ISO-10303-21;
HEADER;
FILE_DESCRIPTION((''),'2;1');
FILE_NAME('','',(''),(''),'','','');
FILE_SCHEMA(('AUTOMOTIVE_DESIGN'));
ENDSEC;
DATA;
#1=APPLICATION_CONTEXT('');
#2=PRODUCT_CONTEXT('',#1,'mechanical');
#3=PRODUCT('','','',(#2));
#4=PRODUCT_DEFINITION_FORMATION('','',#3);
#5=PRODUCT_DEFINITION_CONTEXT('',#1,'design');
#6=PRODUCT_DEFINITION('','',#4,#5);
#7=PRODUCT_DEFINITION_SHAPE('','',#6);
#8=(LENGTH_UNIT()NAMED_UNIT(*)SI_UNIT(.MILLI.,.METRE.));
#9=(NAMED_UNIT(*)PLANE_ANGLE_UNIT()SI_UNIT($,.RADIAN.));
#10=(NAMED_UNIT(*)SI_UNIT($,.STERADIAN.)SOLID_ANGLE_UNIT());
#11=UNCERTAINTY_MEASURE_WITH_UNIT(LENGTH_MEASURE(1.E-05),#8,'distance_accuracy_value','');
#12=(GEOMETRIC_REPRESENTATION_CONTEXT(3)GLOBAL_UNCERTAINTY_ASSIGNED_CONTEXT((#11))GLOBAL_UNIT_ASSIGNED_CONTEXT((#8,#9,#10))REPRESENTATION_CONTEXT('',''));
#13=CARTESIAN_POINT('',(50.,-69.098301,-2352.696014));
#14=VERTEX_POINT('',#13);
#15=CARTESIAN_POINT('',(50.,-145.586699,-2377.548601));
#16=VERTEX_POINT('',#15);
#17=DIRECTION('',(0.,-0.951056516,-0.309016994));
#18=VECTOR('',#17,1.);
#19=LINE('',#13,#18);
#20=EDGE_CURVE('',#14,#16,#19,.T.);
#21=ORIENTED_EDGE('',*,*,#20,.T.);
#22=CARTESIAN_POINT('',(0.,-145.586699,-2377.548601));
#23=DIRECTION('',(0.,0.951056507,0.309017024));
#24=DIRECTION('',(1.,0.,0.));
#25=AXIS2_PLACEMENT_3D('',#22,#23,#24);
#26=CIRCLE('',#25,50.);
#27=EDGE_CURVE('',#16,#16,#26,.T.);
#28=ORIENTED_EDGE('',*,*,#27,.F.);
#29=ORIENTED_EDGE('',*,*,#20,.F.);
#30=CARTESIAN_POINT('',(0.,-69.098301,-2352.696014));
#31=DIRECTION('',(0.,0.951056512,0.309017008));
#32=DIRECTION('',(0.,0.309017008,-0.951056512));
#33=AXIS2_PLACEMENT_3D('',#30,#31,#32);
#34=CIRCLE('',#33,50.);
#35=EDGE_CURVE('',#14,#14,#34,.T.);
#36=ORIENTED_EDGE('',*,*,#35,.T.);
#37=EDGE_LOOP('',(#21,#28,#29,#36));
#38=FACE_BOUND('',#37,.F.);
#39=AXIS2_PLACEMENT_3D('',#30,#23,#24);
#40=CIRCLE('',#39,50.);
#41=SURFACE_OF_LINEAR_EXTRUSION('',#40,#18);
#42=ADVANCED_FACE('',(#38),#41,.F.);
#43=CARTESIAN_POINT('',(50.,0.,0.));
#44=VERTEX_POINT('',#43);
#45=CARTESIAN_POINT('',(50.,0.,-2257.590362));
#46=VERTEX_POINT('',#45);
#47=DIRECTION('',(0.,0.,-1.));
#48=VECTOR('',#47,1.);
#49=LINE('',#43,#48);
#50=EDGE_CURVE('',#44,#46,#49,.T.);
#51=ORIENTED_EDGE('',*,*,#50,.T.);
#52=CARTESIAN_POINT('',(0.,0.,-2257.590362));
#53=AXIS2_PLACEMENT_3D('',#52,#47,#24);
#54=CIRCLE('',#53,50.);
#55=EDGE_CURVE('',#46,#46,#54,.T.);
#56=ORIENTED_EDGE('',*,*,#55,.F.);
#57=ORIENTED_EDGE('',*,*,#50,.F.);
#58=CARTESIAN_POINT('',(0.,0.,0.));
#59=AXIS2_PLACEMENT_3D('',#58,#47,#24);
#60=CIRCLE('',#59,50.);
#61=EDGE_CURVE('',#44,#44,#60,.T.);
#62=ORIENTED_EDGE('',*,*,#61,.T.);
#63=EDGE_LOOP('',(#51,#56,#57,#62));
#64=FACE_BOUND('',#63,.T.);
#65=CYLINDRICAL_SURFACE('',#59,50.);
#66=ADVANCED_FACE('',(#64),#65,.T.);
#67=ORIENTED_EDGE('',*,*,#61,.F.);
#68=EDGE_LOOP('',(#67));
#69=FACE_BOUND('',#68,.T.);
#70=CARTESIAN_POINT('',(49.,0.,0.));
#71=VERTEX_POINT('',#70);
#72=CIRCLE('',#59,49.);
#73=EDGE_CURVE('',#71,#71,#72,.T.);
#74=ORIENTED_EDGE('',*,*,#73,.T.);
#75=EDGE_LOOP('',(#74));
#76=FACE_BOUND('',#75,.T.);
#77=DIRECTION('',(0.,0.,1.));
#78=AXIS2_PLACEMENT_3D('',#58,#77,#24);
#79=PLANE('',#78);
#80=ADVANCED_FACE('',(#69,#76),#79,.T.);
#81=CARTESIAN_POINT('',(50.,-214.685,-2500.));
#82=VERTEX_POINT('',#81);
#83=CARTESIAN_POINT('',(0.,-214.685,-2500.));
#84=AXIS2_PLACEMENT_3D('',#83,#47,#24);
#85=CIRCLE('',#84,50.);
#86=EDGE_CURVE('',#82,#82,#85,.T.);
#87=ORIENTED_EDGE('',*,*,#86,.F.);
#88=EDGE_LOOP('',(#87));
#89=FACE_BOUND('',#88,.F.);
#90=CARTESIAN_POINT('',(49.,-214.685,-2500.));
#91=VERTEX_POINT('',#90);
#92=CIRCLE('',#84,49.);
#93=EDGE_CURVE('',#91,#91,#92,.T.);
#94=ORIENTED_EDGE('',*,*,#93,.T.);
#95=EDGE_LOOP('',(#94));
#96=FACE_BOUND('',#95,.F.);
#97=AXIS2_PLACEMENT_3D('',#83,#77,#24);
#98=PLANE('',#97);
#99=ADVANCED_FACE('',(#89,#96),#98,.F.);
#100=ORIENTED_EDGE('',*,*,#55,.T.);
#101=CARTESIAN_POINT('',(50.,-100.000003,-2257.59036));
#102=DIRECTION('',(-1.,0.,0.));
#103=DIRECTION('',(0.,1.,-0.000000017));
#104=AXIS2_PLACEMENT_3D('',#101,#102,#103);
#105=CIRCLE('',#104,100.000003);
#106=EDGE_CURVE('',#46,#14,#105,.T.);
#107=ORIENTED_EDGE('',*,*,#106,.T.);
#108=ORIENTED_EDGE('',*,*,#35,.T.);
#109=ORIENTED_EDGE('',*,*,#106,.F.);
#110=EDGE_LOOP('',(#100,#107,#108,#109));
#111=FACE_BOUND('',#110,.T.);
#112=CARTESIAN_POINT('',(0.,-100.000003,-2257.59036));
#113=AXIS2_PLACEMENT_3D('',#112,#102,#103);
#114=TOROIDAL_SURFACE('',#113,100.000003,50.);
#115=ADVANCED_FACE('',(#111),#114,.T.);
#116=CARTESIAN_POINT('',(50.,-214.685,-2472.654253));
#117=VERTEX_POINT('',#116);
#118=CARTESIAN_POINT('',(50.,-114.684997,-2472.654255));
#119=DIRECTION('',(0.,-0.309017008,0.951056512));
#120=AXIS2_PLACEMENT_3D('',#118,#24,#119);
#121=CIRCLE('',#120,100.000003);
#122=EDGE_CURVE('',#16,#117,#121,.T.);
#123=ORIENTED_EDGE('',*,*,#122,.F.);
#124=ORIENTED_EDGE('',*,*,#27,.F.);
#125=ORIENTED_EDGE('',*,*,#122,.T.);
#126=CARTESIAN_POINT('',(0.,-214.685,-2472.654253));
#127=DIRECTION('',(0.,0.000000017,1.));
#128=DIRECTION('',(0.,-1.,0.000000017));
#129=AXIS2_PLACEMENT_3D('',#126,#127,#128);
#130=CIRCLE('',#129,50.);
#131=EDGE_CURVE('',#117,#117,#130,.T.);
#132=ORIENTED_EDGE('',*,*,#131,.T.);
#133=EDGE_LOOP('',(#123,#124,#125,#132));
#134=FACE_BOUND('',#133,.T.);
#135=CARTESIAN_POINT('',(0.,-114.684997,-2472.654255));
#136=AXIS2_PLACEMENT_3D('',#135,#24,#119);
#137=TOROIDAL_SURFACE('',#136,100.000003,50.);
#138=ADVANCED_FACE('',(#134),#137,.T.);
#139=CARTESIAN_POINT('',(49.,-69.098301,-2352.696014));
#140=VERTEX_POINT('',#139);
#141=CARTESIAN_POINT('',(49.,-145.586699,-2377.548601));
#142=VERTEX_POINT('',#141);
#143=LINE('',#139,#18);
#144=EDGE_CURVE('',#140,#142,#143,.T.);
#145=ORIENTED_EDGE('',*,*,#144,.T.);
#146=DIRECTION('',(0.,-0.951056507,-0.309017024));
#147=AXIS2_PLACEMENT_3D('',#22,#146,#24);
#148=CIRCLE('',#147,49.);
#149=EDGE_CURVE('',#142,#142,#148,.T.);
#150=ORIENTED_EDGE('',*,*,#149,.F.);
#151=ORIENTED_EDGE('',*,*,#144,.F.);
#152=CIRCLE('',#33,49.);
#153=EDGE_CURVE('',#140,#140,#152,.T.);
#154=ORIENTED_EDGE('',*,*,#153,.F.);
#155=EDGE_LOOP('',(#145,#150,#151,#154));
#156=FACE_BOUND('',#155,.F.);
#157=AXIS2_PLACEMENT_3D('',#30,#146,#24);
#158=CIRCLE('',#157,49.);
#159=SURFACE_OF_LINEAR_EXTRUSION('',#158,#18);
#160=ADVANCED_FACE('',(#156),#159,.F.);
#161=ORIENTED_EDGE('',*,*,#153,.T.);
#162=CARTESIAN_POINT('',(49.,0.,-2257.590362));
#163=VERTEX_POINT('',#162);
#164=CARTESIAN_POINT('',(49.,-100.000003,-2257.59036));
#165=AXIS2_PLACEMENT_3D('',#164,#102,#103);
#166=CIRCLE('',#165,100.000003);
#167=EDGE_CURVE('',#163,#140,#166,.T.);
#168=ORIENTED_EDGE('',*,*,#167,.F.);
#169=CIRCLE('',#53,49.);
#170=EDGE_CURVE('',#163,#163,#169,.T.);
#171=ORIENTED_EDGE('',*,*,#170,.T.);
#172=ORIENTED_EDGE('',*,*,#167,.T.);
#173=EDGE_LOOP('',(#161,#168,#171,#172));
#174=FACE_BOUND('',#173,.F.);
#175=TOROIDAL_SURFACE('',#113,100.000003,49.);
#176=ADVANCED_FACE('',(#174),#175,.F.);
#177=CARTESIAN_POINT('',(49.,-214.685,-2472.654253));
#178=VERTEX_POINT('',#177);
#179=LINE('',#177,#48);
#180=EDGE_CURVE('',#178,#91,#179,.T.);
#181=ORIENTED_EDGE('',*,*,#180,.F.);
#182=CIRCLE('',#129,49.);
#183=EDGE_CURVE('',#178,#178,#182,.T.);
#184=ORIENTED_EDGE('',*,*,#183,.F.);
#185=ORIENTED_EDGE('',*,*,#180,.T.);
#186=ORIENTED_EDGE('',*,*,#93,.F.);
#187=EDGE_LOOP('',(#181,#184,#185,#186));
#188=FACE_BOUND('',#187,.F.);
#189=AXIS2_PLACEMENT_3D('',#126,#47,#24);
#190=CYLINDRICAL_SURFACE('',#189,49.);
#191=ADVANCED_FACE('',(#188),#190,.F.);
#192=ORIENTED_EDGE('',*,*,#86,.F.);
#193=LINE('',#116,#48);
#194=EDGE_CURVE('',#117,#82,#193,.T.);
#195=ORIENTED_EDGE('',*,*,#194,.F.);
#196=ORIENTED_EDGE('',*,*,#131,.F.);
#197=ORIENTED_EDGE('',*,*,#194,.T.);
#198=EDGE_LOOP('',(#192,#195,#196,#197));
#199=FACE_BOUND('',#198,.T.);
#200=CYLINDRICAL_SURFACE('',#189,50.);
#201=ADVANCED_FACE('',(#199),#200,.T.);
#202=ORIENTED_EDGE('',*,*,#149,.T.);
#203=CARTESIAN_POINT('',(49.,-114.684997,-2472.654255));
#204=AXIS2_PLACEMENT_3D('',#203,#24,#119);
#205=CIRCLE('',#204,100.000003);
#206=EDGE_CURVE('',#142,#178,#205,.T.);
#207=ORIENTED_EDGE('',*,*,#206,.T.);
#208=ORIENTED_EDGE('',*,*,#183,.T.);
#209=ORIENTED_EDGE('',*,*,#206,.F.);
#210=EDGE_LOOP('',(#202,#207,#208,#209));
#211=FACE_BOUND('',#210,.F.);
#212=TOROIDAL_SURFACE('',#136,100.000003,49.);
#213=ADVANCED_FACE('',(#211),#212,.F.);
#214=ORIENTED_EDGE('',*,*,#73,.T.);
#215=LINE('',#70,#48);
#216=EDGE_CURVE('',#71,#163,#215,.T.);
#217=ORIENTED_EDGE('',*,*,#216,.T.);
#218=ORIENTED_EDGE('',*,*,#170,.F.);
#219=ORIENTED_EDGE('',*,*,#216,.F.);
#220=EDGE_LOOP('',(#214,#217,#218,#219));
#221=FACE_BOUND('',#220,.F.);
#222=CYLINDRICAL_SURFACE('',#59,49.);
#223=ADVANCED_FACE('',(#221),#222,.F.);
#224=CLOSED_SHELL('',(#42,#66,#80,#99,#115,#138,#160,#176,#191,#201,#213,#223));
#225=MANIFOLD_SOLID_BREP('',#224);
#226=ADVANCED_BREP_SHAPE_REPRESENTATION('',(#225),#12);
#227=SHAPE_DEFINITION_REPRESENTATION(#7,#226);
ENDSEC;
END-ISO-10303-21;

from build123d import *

# Parameters (mm, degrees)
F1_R   = 50
F1_R_2 = 49


with BuildPart() as f2:
    # F2: sweep along a path in F0
    with BuildLine(Plane.YZ) as f2_path:
        Line((0, 0), (0, -2257.590362))
        ThreePointArc((0, -2257.590362), (-19.098301, -2316.368887), (-69.098301, -2352.696014))
        Line((-69.098301, -2352.696014), (-145.586699, -2377.548601))
        ThreePointArc((-145.586699, -2377.548601), (-195.586699, -2413.875728), (-214.685, -2472.654253))
        Line((-214.685, -2472.654253), (-214.685, -2500))
    # F1 (on Top) → F2 (sweep)
    with BuildSketch(Plane.XY):
        Circle(F1_R)
        Circle(F1_R_2, mode=Mode.SUBTRACT)
    sweep(path=f2_path.line)


solid = f2.part
